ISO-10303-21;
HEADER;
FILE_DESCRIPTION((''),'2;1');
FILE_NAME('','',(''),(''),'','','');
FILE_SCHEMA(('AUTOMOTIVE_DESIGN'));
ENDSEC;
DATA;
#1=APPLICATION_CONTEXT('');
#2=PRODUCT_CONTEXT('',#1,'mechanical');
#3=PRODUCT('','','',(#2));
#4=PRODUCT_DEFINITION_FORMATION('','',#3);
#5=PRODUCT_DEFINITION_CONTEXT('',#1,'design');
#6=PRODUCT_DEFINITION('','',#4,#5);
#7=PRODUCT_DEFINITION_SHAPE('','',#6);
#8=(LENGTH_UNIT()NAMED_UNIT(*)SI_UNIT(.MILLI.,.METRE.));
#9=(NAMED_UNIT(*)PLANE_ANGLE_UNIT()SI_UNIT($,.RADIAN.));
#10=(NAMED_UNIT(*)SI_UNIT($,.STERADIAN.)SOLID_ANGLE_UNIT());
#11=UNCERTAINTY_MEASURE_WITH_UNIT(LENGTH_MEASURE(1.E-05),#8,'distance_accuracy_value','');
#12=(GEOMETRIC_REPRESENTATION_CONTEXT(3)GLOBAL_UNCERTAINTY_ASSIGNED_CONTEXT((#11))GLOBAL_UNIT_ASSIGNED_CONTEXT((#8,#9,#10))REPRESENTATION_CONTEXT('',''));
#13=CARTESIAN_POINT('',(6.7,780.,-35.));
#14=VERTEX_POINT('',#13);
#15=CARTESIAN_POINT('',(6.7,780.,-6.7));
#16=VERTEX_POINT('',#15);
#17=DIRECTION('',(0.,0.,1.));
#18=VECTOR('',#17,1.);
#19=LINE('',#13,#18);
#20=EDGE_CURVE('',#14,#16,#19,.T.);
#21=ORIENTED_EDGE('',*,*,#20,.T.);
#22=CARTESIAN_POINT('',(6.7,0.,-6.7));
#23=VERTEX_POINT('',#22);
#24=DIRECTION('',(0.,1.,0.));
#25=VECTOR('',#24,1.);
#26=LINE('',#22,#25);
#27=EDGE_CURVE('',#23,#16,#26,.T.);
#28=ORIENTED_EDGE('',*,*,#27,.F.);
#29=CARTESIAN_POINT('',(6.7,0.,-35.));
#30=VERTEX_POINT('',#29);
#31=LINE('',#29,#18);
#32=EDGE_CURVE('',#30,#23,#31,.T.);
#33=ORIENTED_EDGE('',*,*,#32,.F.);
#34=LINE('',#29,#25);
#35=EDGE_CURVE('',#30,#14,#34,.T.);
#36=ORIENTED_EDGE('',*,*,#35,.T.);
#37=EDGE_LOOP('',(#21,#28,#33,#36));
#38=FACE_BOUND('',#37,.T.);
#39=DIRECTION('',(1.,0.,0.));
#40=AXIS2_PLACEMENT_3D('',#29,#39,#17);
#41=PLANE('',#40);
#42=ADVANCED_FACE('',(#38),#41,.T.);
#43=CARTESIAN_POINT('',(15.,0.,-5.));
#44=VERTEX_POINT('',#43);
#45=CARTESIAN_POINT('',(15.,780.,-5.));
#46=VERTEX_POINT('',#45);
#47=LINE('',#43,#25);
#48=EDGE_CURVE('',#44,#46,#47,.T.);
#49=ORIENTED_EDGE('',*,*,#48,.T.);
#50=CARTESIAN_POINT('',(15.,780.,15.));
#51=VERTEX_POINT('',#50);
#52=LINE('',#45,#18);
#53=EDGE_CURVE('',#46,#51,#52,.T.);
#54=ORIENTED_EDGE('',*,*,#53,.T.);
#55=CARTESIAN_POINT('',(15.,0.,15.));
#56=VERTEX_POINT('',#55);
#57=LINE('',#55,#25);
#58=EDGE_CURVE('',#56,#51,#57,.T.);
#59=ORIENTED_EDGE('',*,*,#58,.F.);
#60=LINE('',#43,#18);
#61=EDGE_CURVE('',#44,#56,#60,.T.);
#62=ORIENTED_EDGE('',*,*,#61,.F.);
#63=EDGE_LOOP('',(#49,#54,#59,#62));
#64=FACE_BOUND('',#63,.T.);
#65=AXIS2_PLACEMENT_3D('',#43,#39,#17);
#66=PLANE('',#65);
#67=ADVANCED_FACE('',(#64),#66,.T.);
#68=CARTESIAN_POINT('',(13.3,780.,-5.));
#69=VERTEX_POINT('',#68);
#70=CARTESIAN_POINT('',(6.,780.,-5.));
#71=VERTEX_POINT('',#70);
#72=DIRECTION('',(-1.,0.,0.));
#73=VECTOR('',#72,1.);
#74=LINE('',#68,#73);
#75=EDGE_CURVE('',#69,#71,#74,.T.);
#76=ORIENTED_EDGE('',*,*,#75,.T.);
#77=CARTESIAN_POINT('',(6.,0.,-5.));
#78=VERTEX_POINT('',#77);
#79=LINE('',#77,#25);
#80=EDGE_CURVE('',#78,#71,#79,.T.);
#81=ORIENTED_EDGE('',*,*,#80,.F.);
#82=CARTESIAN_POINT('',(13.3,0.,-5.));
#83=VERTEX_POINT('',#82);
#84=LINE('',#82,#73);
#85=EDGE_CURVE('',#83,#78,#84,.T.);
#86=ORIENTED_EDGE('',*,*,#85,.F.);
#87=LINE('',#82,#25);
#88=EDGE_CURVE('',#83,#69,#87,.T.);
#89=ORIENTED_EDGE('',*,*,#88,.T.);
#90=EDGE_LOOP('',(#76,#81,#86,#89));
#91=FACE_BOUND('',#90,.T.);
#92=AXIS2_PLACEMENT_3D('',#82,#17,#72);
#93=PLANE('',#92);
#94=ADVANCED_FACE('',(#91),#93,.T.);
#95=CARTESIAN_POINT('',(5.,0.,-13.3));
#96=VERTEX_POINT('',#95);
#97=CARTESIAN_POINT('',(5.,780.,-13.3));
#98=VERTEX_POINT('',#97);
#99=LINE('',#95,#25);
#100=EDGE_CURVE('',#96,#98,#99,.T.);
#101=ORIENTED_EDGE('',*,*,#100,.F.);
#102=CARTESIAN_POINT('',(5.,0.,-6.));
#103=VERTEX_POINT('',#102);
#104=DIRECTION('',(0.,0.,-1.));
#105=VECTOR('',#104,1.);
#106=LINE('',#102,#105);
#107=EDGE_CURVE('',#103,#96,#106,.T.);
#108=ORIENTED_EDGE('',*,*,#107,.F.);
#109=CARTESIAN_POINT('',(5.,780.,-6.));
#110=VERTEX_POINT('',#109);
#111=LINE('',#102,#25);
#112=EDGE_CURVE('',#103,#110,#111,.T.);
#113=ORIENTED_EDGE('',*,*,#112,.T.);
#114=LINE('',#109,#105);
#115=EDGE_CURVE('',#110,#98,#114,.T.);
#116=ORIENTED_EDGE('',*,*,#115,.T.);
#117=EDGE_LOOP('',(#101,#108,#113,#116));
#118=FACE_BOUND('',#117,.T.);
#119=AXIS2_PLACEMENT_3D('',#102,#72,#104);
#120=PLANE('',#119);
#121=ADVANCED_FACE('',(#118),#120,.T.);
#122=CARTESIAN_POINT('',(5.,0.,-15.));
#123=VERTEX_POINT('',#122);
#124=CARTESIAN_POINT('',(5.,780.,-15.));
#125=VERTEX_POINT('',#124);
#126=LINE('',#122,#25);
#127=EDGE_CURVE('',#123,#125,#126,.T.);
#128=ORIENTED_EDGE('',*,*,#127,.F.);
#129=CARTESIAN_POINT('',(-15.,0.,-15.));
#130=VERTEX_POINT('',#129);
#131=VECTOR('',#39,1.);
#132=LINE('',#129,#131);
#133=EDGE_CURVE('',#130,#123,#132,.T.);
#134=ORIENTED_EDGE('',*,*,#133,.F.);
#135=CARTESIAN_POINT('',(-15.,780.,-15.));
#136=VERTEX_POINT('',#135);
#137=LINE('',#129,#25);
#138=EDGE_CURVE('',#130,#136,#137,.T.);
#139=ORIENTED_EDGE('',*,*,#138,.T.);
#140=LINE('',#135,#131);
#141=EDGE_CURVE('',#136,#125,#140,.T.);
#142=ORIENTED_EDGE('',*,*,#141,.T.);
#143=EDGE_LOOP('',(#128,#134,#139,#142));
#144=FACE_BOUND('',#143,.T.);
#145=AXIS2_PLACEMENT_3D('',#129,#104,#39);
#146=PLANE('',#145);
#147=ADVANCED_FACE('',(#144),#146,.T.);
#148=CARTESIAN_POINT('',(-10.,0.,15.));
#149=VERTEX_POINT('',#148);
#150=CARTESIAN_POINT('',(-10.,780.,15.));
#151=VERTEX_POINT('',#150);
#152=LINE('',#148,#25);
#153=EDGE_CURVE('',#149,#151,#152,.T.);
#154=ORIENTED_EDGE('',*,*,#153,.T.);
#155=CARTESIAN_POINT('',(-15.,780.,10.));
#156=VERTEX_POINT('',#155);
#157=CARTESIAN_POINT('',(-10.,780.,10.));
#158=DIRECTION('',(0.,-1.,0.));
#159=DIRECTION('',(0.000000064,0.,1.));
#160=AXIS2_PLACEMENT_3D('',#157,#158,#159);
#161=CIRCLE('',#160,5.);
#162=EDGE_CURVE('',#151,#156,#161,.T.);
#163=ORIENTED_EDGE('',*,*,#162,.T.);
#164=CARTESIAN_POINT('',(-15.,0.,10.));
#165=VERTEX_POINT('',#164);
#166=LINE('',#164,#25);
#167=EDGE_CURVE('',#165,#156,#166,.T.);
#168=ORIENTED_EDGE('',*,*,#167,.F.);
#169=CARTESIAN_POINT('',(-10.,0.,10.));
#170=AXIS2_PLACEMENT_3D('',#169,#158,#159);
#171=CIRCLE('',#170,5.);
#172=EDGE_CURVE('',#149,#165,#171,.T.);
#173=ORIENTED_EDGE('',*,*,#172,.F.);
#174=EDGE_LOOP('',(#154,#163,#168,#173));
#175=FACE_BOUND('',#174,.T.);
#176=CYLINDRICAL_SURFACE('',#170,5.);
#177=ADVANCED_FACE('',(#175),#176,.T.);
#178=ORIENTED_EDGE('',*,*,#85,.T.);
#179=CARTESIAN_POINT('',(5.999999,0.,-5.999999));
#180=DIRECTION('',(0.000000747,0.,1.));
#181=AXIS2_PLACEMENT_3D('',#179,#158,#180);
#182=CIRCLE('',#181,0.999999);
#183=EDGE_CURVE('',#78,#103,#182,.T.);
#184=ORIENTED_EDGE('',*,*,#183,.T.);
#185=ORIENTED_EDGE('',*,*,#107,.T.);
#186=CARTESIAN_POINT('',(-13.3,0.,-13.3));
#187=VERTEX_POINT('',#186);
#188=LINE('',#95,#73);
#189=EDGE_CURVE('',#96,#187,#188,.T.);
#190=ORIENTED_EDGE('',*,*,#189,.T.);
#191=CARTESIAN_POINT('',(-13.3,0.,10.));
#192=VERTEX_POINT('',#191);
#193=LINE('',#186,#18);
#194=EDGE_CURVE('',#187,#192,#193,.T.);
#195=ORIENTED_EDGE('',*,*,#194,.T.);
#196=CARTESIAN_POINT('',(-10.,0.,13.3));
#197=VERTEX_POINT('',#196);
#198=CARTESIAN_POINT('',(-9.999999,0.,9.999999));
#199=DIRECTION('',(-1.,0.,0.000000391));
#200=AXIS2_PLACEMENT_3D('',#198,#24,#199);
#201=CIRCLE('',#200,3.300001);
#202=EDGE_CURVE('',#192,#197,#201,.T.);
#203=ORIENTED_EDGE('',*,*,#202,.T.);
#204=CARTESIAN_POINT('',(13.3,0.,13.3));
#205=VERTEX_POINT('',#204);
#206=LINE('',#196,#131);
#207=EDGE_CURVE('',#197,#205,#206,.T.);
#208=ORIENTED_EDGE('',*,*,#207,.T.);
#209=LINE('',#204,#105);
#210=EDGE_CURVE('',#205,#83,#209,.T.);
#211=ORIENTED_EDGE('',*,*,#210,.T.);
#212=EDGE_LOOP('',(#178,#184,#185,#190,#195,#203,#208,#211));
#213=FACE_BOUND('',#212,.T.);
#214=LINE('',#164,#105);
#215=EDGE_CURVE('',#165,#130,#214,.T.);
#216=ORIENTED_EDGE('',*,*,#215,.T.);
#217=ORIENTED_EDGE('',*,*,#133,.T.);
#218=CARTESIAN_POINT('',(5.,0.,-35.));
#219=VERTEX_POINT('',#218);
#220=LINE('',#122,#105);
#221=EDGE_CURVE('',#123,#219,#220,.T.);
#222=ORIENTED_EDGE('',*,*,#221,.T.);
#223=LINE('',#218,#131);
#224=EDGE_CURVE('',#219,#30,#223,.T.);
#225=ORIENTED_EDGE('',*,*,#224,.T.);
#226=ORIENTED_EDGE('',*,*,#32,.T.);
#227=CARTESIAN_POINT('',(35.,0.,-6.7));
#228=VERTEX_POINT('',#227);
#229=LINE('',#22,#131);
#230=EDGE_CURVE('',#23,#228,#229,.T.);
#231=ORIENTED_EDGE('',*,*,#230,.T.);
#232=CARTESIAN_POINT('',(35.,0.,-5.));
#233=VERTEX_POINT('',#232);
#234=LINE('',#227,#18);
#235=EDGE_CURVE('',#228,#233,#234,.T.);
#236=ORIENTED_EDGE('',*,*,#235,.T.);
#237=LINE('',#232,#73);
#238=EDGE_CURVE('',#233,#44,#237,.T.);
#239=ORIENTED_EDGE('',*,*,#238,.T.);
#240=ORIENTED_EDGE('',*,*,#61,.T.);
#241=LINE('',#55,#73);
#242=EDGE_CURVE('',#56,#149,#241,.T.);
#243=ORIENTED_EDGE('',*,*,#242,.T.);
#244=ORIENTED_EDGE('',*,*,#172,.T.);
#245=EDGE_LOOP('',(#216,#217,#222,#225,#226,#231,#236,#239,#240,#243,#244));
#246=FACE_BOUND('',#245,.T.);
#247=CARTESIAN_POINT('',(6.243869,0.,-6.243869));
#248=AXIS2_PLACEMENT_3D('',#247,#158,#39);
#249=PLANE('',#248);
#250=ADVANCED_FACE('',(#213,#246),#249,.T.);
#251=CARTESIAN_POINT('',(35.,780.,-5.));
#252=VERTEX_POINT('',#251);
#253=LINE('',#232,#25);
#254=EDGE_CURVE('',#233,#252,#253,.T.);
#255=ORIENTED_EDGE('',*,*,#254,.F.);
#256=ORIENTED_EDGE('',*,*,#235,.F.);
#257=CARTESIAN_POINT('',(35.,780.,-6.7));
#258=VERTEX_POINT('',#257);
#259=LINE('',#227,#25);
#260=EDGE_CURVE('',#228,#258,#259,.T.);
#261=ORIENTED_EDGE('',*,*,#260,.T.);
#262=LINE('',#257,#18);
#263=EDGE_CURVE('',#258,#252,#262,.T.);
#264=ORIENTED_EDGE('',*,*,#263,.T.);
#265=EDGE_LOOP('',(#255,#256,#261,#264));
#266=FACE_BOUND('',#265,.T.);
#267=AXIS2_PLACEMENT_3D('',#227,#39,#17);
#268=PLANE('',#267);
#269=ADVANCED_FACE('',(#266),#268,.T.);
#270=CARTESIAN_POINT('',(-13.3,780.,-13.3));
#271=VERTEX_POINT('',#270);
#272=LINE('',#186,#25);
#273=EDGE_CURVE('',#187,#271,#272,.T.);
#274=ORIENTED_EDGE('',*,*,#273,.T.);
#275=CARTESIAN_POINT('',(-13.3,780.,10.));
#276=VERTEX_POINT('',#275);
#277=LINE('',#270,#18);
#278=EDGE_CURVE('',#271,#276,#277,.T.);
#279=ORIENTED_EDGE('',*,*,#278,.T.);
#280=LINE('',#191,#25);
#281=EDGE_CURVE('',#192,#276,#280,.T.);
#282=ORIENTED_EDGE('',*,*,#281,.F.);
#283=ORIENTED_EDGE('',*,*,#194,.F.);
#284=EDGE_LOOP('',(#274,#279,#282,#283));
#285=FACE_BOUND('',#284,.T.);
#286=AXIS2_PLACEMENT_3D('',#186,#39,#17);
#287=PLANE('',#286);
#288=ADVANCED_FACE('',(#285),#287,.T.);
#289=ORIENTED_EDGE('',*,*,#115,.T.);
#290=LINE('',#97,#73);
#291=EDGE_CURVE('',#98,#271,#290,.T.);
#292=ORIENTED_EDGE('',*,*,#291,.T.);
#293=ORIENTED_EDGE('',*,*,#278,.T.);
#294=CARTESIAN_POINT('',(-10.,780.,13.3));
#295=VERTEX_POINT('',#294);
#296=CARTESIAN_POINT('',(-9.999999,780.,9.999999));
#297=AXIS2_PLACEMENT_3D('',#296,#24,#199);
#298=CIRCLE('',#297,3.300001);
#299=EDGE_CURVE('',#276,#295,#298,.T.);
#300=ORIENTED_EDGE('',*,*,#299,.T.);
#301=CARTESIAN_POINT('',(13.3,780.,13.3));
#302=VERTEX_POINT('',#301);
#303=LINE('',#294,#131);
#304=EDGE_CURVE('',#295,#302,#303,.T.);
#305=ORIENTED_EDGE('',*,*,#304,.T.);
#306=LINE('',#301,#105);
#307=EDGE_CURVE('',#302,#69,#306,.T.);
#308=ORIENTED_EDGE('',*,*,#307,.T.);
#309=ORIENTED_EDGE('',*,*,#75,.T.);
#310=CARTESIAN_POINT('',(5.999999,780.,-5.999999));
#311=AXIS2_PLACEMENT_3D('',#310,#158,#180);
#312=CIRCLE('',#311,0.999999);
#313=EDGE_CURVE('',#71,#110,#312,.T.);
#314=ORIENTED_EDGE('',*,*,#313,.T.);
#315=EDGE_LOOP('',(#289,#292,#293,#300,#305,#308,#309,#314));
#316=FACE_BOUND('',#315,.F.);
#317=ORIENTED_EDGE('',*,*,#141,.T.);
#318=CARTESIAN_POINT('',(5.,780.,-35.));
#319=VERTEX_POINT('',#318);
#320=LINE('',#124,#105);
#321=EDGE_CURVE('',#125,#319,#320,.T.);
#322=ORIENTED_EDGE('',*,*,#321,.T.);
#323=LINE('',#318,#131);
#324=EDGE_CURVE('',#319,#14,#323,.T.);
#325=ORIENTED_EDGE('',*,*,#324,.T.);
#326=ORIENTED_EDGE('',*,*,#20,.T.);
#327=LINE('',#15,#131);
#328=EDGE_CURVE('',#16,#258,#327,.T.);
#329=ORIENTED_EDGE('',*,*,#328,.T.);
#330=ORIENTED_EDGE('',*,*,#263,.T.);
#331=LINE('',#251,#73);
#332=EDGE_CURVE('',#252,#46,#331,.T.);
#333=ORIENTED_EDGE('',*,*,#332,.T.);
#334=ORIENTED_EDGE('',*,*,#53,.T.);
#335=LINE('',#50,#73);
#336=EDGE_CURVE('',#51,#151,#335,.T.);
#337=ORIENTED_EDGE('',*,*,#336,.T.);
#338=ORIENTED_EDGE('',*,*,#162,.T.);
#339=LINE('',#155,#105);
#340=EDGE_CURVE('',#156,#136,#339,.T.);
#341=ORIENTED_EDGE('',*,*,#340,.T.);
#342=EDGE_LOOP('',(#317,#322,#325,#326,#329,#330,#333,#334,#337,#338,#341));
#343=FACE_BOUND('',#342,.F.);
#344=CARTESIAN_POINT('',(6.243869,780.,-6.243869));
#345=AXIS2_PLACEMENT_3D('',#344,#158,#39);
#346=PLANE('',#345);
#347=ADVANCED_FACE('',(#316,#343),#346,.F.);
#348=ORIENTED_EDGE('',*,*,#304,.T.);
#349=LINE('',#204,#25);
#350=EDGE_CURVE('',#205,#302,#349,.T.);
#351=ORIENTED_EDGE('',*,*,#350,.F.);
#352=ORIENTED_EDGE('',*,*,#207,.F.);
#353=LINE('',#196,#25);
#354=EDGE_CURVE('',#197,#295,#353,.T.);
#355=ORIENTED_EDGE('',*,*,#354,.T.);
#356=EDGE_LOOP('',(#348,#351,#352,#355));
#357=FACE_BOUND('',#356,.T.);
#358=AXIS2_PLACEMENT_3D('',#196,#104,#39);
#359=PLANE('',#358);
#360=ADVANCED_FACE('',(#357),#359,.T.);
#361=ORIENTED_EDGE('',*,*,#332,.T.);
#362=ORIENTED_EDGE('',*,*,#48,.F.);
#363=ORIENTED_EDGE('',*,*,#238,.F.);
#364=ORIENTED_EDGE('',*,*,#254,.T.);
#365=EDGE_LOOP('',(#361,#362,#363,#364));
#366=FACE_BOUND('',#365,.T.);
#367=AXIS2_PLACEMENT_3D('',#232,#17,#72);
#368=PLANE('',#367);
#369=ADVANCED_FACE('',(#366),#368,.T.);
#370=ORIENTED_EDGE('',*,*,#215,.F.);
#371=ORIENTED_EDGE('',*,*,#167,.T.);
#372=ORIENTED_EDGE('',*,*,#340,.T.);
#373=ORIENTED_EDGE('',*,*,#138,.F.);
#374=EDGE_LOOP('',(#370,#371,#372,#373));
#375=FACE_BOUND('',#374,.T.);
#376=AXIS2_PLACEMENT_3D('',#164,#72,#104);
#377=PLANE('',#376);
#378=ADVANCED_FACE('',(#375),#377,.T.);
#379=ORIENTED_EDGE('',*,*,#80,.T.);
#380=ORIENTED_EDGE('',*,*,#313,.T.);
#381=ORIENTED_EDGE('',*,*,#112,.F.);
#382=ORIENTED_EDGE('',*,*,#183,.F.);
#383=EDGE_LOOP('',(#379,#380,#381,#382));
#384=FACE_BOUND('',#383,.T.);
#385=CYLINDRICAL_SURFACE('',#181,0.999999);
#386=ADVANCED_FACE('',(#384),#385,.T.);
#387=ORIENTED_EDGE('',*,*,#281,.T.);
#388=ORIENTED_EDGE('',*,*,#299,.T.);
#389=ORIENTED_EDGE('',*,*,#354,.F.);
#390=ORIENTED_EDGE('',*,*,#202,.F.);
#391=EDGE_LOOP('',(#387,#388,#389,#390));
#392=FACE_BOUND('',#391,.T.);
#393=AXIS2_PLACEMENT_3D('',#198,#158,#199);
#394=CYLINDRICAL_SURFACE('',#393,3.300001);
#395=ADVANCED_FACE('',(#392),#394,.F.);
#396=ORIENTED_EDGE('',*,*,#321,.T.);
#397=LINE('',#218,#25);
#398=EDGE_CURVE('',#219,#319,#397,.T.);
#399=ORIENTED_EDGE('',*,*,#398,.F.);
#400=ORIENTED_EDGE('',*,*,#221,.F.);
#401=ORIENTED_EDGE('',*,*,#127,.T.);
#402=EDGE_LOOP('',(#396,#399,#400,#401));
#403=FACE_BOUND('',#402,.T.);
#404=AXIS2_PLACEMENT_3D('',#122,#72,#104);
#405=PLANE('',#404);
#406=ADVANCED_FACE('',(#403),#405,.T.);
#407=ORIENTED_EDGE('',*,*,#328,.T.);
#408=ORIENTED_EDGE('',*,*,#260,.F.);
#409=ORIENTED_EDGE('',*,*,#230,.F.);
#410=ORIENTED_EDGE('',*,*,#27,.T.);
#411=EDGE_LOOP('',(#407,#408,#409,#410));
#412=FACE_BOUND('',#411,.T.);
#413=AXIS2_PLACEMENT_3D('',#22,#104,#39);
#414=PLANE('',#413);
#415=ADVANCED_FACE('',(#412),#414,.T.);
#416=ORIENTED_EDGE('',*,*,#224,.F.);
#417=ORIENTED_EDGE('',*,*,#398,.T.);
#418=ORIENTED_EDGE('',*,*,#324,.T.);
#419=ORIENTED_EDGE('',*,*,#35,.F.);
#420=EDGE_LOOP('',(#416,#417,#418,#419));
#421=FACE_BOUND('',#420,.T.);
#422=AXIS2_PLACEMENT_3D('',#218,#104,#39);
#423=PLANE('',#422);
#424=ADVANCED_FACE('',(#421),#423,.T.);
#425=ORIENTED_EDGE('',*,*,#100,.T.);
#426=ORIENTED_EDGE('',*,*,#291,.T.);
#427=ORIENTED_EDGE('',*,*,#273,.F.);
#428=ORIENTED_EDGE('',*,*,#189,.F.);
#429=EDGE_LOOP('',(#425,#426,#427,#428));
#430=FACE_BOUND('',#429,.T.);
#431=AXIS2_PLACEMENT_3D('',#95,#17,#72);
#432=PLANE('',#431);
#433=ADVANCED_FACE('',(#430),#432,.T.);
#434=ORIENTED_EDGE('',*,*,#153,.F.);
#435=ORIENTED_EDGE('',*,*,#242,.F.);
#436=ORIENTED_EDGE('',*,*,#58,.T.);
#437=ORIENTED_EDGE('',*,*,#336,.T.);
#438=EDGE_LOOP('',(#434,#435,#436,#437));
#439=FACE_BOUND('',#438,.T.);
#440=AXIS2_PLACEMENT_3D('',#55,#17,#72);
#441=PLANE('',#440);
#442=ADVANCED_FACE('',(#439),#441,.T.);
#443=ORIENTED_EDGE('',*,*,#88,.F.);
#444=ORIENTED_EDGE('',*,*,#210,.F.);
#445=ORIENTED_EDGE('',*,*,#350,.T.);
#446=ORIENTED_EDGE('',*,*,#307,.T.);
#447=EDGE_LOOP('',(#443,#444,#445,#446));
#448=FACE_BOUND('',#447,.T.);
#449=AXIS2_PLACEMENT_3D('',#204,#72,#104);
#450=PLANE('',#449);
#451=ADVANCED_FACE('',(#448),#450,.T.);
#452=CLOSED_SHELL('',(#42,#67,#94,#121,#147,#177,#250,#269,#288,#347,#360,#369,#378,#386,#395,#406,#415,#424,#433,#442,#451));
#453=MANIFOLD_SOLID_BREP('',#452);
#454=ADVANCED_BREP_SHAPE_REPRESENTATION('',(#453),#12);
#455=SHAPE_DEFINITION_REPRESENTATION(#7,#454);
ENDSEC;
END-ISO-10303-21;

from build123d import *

# Parameters (mm, degrees)
F1_DEPTH = 780


with BuildPart() as f1:
    # F0 (on Front) → F1 (new body)
    with BuildSketch(Plane.XZ):
        with BuildLine():
            Line((15, 15), (-10, 15))
            ThreePointArc((-10, 15), (-13.535534, 13.535534), (-15, 10))
            Line((-15, 10), (-15, -15))
            Line((-15, -15), (5, -15))
            Line((5, -15), (5, -35))
            Line((5, -35), (6.7, -35))
            Line((6.7, -35), (6.7, -6.7))
            Line((6.7, -6.7), (35, -6.7))
            Line((35, -6.7), (35, -5))
            Line((35, -5), (15, -5))
            Line((15, -5), (15, 15))
        make_face()
        with BuildLine():
            ThreePointArc((6, -5), (5.292893, -5.292893), (5, -6))
            Line((5, -6), (5, -13.3))
            Line((5, -13.3), (-13.3, -13.3))
            Line((-13.3, -13.3), (-13.3, 10))
            ThreePointArc((-13.3, 10), (-12.333452, 12.333452), (-10, 13.3))
            Line((-10, 13.3), (13.3, 13.3))
            Line((13.3, 13.3), (13.3, -5))
            Line((13.3, -5), (6, -5))
        make_face(mode=Mode.SUBTRACT)
    extrude(amount=-F1_DEPTH)


solid = f1.part
